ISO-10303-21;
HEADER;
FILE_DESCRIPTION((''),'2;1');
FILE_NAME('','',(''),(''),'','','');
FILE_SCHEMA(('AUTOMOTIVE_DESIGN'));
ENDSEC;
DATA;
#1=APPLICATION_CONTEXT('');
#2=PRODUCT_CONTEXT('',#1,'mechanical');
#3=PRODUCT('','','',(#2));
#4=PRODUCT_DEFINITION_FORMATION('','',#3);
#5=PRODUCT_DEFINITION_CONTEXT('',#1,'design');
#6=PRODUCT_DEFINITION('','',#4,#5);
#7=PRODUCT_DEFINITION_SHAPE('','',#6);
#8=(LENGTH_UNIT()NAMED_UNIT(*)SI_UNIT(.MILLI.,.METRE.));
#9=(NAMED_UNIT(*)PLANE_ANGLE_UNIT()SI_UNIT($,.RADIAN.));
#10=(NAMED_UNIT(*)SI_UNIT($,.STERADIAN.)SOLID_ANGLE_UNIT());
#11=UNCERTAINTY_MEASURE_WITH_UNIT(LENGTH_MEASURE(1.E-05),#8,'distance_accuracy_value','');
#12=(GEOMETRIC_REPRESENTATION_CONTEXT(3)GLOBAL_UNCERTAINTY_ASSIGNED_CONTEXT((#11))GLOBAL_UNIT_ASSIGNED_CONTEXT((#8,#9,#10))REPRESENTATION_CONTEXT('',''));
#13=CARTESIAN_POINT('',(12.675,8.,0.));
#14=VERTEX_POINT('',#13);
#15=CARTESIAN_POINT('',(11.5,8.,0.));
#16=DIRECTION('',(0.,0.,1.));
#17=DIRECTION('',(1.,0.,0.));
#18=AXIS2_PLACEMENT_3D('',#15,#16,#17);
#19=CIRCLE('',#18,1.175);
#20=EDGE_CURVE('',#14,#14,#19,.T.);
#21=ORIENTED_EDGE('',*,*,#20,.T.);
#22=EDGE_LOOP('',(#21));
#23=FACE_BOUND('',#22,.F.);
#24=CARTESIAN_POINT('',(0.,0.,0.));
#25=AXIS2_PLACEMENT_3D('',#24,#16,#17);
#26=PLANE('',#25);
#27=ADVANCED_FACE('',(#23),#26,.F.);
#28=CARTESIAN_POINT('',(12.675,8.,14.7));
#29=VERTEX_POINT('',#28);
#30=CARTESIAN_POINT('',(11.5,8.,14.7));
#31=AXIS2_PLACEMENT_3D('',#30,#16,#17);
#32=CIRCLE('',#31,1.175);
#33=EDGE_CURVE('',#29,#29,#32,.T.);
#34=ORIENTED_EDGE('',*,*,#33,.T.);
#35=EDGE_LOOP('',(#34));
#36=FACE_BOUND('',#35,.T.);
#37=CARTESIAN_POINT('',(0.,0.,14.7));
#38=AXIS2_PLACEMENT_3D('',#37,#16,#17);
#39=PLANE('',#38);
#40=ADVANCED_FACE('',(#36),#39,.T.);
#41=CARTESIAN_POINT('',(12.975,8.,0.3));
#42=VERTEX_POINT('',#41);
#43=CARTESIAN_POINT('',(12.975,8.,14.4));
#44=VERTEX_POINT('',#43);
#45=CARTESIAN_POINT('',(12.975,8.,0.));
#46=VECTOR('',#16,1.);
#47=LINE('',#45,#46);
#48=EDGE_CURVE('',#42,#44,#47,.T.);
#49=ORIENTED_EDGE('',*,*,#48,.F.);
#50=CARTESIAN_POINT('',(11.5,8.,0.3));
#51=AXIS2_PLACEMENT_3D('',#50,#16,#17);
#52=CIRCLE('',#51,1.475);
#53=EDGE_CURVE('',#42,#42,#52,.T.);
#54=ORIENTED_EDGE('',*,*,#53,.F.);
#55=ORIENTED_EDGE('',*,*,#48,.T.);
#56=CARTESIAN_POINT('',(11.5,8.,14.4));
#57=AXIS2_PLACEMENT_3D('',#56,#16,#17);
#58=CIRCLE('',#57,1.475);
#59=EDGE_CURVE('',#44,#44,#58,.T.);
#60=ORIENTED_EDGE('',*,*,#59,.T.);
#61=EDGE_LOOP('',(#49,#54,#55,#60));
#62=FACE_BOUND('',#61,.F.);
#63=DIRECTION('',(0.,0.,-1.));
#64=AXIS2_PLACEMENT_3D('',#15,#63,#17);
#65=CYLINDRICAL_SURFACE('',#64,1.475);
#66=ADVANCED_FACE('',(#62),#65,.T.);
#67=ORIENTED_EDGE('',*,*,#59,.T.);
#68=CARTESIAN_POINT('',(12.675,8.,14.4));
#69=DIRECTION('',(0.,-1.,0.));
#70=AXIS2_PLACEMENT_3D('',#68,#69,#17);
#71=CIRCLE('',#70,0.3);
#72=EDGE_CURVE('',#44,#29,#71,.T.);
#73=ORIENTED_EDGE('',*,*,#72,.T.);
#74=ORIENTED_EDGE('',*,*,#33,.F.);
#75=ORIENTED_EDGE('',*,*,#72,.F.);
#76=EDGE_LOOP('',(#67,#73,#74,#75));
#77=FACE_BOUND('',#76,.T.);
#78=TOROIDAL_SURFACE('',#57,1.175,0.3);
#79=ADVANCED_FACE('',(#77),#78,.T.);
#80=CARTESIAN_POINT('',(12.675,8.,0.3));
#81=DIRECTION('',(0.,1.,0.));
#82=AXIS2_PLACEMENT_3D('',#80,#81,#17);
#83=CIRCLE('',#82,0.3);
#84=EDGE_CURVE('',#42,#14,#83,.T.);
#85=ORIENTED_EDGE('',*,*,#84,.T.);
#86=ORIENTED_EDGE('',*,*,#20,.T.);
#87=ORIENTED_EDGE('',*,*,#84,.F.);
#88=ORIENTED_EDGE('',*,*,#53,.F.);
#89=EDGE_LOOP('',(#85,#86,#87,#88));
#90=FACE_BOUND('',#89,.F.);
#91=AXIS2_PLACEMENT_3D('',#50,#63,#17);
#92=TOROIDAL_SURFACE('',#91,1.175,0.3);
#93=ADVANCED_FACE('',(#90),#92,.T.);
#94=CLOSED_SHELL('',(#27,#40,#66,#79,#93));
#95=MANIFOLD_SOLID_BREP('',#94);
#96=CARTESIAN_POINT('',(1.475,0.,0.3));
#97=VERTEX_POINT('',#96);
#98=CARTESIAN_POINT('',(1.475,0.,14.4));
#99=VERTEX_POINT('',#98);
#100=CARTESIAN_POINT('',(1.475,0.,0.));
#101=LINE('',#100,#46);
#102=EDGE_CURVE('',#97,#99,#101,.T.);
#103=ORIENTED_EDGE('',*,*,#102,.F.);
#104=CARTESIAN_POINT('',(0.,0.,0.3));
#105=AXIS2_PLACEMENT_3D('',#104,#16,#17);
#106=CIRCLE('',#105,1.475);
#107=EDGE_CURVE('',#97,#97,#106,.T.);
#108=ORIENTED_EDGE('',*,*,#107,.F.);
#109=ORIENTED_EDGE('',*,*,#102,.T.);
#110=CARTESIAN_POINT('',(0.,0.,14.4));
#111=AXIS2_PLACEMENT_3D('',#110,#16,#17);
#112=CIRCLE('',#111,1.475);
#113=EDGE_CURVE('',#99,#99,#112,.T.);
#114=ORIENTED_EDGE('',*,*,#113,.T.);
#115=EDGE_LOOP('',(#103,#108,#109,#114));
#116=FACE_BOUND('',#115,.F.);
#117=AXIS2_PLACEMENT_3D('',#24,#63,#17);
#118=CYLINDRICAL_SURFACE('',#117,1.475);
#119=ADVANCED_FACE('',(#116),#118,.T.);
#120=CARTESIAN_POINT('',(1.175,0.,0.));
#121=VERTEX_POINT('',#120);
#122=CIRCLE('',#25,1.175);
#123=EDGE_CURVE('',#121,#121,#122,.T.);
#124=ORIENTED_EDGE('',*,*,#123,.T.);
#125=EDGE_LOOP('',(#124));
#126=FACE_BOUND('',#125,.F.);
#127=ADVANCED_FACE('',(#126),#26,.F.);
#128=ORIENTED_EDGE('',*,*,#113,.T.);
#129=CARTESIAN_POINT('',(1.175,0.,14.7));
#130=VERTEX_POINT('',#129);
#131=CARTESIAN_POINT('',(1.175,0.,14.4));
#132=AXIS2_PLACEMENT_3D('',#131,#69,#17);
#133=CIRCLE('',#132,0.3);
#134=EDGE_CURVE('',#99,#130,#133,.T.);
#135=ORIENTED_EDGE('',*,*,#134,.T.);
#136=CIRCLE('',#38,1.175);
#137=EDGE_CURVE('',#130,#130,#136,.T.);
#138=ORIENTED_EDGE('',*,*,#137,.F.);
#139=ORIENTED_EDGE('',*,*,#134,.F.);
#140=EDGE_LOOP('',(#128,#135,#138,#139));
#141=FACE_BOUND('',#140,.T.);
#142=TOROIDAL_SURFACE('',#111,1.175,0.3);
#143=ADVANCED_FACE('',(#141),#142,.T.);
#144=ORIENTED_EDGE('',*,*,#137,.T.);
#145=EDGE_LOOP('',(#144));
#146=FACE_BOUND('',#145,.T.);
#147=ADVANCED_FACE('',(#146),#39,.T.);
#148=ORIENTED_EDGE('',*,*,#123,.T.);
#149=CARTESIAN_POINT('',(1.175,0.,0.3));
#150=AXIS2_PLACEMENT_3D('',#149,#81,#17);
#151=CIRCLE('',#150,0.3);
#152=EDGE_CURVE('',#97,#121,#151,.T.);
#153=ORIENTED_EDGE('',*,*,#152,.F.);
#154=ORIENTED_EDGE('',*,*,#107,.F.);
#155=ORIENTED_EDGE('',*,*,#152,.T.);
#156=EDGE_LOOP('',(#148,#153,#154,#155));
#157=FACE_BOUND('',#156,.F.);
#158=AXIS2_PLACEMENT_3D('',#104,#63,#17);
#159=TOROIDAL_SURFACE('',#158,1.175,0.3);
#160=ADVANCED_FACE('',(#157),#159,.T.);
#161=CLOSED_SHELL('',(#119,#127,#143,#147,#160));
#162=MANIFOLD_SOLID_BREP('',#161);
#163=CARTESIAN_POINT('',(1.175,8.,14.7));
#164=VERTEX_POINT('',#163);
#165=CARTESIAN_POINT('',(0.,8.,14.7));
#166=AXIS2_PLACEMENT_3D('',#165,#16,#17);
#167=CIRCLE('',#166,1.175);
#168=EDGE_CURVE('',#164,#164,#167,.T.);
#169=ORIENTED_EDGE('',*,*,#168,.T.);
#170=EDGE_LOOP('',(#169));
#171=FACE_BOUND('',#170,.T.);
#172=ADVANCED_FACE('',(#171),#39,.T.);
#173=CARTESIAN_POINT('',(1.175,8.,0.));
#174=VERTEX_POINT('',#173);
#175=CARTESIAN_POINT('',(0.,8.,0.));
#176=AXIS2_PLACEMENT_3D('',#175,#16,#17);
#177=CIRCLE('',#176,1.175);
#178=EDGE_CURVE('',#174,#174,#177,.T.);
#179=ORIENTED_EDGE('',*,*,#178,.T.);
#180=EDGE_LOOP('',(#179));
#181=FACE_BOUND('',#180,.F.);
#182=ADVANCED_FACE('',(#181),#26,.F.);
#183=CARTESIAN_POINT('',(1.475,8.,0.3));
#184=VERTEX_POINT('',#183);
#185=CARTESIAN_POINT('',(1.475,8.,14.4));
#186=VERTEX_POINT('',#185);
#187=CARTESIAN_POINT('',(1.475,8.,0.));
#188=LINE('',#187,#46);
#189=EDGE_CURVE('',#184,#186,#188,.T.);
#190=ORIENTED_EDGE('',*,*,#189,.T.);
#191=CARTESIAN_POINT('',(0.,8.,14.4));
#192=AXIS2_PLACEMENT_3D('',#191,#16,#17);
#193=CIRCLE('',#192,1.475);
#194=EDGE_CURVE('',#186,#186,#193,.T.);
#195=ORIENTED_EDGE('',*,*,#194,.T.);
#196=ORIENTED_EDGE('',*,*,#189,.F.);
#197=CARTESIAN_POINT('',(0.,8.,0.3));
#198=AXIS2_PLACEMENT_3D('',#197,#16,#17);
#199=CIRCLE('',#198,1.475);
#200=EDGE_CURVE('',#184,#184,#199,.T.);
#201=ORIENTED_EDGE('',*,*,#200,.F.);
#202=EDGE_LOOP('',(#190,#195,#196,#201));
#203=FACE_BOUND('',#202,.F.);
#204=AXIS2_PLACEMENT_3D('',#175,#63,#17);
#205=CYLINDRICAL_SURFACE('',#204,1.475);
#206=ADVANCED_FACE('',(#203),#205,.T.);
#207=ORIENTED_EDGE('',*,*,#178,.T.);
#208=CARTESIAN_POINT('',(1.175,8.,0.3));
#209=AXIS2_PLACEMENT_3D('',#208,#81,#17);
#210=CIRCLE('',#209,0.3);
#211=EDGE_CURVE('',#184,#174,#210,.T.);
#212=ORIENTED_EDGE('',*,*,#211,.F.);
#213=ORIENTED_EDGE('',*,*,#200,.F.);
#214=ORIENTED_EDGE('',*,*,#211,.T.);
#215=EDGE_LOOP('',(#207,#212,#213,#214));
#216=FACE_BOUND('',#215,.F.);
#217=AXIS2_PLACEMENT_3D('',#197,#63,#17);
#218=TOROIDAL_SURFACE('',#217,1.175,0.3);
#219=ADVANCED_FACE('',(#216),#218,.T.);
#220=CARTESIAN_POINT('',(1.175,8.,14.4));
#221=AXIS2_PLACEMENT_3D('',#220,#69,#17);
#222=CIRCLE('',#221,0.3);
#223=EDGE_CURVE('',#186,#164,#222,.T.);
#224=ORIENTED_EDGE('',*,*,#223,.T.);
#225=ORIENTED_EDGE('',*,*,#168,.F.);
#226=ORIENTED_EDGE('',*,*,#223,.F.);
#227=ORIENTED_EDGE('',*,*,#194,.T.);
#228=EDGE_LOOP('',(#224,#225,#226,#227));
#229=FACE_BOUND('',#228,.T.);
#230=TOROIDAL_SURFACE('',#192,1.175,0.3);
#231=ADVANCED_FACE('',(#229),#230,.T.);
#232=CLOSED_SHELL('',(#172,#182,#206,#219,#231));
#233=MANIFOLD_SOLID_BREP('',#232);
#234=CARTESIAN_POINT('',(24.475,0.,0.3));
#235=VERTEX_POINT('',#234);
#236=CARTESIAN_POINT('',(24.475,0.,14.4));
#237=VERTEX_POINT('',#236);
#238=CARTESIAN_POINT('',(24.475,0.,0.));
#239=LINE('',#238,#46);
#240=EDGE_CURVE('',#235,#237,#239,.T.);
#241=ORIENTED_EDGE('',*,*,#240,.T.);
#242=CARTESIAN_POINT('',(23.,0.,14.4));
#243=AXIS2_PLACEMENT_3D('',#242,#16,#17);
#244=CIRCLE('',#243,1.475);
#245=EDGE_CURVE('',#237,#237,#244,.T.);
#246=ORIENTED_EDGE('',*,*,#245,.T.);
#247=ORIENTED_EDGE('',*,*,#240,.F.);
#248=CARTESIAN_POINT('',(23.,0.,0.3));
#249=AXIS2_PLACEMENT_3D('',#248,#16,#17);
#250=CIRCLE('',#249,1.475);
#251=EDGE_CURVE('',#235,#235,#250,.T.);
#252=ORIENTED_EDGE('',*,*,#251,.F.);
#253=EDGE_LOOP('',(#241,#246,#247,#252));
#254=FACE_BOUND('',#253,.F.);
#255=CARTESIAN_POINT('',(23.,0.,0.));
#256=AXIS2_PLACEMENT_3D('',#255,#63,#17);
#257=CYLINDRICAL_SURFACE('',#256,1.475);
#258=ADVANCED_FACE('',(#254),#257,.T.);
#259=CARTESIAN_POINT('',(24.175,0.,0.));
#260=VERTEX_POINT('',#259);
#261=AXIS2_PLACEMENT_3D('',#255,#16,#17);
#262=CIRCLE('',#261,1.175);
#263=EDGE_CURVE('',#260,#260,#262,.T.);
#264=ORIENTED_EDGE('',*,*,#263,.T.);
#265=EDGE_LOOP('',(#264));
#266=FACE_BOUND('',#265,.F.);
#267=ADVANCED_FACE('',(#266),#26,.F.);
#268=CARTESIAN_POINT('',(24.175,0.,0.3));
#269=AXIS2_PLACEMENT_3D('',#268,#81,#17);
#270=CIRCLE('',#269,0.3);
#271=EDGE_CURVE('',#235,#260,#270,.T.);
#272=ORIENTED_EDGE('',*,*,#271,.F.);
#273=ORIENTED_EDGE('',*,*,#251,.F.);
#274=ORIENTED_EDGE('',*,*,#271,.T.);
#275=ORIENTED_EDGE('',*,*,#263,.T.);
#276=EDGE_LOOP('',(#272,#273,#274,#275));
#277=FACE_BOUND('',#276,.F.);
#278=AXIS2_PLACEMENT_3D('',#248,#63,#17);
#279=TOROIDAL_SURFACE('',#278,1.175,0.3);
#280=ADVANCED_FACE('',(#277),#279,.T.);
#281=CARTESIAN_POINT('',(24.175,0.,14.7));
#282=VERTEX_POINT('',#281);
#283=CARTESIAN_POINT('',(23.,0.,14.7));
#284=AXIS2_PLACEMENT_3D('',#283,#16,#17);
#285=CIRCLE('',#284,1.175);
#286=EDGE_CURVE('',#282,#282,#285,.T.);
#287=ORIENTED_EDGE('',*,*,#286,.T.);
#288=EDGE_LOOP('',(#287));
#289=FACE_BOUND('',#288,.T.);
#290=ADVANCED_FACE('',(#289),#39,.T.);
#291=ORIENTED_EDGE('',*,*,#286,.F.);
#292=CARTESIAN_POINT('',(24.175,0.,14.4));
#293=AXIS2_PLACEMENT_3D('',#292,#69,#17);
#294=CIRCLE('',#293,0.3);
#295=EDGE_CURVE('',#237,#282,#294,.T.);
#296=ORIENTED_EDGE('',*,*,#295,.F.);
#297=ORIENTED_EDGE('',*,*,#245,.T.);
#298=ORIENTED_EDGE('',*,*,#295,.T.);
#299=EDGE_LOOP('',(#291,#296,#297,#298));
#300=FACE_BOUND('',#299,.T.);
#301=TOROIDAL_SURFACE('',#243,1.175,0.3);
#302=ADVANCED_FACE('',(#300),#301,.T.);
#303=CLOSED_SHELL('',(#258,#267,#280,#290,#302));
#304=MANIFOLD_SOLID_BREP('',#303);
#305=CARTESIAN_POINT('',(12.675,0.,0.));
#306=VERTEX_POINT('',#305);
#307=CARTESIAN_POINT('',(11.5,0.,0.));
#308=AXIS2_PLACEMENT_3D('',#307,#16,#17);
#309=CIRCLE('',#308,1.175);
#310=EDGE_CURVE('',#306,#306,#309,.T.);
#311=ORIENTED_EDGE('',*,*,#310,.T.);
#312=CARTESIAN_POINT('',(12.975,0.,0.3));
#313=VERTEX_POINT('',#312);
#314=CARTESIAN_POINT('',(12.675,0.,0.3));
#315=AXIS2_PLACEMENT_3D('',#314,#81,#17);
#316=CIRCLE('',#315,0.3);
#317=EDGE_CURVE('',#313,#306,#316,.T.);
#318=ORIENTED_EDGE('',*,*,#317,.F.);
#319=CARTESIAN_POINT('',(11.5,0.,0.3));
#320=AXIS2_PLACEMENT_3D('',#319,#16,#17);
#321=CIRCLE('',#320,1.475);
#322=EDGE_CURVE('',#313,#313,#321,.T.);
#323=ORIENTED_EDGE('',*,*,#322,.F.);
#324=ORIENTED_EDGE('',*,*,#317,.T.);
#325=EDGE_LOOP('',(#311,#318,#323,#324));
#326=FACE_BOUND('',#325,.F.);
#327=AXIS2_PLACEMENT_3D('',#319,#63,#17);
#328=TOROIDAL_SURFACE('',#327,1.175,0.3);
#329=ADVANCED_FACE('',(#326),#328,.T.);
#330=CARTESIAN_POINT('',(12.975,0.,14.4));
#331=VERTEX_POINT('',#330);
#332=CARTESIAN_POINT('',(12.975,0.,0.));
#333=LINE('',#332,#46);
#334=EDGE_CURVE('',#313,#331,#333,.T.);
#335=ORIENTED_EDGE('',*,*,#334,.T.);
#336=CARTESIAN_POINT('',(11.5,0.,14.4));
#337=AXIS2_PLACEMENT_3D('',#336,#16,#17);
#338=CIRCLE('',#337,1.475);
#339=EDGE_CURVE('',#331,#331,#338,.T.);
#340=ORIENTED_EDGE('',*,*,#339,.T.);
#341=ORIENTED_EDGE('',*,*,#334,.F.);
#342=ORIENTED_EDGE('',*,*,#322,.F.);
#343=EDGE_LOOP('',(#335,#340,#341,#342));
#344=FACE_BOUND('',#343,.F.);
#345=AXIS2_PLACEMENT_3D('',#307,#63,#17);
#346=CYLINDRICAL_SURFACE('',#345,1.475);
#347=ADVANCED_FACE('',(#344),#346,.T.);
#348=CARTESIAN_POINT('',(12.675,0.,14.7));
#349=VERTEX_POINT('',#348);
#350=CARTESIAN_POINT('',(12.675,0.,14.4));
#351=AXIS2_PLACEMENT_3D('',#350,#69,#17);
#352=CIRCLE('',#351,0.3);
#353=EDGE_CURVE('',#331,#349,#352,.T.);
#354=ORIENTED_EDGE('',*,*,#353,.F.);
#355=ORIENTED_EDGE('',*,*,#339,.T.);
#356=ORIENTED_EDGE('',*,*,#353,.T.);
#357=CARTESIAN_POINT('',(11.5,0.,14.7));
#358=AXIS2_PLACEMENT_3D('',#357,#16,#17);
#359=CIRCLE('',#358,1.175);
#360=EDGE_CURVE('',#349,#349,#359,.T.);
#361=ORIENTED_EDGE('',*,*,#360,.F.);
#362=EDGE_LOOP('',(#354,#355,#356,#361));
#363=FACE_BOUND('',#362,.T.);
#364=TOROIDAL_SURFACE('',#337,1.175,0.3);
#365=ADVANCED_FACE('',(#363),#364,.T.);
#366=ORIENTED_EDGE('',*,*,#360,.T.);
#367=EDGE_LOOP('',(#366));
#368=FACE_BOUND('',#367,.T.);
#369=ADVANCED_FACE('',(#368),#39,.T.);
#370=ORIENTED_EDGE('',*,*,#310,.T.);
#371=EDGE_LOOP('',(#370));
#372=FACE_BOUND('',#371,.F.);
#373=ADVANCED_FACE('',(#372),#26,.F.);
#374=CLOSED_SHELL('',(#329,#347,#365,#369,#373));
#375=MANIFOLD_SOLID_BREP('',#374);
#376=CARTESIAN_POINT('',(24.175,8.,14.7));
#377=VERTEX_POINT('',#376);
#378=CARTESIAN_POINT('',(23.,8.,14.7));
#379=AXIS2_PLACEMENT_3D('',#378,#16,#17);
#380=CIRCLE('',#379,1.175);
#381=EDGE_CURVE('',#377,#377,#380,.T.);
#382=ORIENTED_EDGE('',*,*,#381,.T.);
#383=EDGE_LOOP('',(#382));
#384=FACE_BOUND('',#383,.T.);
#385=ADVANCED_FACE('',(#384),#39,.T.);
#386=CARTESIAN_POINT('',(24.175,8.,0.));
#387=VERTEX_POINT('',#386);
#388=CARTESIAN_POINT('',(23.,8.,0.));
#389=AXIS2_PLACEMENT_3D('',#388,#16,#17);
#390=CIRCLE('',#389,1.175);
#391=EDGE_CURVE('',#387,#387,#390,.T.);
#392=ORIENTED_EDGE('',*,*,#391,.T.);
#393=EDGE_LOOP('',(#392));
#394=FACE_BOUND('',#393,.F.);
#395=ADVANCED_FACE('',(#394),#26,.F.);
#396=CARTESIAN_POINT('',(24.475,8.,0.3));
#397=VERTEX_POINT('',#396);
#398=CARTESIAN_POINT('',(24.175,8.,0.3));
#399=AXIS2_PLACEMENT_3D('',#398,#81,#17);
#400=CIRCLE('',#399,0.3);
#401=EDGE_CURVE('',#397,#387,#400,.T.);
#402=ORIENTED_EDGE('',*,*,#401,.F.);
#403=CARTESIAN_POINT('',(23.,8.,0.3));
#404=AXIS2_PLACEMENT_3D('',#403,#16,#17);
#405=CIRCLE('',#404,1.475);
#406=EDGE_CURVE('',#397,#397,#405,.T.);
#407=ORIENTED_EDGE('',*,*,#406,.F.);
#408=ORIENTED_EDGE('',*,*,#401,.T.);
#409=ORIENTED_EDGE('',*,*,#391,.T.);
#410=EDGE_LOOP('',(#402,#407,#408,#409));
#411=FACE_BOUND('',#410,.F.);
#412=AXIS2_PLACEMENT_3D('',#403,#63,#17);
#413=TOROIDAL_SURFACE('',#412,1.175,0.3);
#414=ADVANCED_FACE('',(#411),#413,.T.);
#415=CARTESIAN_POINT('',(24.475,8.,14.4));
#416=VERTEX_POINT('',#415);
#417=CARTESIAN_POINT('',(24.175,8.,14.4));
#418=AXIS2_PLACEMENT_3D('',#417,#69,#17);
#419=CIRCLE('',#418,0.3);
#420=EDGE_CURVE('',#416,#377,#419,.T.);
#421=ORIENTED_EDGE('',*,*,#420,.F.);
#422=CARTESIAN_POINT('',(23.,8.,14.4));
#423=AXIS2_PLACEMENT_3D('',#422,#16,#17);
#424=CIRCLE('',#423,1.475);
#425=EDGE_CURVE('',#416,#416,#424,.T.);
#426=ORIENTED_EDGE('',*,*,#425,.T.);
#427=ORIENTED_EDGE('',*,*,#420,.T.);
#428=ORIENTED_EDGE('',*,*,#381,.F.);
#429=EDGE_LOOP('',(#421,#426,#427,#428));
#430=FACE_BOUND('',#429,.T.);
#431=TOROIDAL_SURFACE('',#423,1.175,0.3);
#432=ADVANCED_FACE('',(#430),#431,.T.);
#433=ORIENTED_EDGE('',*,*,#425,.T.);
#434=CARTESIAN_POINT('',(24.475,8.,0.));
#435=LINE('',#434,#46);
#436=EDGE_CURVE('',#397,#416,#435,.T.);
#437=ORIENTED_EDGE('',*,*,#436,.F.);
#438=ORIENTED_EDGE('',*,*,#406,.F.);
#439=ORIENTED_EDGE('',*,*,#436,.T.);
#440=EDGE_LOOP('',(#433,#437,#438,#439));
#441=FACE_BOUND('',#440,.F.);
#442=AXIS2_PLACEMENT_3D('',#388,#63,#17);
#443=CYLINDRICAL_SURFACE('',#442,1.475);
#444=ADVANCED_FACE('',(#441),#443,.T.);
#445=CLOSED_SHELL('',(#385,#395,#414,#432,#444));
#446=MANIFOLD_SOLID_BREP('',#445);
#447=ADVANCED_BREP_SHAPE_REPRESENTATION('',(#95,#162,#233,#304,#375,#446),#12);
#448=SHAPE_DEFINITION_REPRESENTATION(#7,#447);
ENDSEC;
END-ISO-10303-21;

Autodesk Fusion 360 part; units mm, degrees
sketch "Sketch1" plane through (0, 0, 0) normal (0, 0, 1) x (1, 0, 0)
  circle A0 centre (0, 0) radius 1.475
  circle A1 centre (11.5, 0) radius 1.475
  circle A2 centre (23, 0) radius 1.475
  circle A3 centre (0, 8) radius 1.475
  circle A4 centre (11.5, 8) radius 1.475
  circle A5 centre (23, 8) radius 1.475
  dimension "d2" = 2.95
  dimension "d5" = 23
  dimension "d6" = 8
extrude "Extrude1" add sketch "Sketch1" along normal blind 14.7 makes body 1 at (24.4732, -0.0735, 9.8) makes body 2 at (12.9732, 7.9265, 9.8) makes body 3 at (1.4732, -0.0735, 9.8) makes body 4 at (24.4732, 7.9265, 9.8) makes body 5 at (12.9732, -0.0735, 9.8) makes body 6 at (1.4732, 7.9265, 9.8)
fillet "Fillet1" radius 0.3 12 edges at (21.6248, -0.5334, 0) (21.6248, -0.5334, 14.7) (10.1248, 7.4666, 14.7) (10.1248, 7.4666, 0) (-1.3752, -0.5334, 0) (-1.3752, -0.5334, 14.7) (21.6248, 7.4666, 14.7) (21.6248, 7.4666, 0) (10.1248, -0.5334, 0) (10.1248, -0.5334, 14.7) (-1.3752, 7.4666, 14.7) (-1.3752, 7.4666, 0) on bodies 1 2 3 4 5 6
